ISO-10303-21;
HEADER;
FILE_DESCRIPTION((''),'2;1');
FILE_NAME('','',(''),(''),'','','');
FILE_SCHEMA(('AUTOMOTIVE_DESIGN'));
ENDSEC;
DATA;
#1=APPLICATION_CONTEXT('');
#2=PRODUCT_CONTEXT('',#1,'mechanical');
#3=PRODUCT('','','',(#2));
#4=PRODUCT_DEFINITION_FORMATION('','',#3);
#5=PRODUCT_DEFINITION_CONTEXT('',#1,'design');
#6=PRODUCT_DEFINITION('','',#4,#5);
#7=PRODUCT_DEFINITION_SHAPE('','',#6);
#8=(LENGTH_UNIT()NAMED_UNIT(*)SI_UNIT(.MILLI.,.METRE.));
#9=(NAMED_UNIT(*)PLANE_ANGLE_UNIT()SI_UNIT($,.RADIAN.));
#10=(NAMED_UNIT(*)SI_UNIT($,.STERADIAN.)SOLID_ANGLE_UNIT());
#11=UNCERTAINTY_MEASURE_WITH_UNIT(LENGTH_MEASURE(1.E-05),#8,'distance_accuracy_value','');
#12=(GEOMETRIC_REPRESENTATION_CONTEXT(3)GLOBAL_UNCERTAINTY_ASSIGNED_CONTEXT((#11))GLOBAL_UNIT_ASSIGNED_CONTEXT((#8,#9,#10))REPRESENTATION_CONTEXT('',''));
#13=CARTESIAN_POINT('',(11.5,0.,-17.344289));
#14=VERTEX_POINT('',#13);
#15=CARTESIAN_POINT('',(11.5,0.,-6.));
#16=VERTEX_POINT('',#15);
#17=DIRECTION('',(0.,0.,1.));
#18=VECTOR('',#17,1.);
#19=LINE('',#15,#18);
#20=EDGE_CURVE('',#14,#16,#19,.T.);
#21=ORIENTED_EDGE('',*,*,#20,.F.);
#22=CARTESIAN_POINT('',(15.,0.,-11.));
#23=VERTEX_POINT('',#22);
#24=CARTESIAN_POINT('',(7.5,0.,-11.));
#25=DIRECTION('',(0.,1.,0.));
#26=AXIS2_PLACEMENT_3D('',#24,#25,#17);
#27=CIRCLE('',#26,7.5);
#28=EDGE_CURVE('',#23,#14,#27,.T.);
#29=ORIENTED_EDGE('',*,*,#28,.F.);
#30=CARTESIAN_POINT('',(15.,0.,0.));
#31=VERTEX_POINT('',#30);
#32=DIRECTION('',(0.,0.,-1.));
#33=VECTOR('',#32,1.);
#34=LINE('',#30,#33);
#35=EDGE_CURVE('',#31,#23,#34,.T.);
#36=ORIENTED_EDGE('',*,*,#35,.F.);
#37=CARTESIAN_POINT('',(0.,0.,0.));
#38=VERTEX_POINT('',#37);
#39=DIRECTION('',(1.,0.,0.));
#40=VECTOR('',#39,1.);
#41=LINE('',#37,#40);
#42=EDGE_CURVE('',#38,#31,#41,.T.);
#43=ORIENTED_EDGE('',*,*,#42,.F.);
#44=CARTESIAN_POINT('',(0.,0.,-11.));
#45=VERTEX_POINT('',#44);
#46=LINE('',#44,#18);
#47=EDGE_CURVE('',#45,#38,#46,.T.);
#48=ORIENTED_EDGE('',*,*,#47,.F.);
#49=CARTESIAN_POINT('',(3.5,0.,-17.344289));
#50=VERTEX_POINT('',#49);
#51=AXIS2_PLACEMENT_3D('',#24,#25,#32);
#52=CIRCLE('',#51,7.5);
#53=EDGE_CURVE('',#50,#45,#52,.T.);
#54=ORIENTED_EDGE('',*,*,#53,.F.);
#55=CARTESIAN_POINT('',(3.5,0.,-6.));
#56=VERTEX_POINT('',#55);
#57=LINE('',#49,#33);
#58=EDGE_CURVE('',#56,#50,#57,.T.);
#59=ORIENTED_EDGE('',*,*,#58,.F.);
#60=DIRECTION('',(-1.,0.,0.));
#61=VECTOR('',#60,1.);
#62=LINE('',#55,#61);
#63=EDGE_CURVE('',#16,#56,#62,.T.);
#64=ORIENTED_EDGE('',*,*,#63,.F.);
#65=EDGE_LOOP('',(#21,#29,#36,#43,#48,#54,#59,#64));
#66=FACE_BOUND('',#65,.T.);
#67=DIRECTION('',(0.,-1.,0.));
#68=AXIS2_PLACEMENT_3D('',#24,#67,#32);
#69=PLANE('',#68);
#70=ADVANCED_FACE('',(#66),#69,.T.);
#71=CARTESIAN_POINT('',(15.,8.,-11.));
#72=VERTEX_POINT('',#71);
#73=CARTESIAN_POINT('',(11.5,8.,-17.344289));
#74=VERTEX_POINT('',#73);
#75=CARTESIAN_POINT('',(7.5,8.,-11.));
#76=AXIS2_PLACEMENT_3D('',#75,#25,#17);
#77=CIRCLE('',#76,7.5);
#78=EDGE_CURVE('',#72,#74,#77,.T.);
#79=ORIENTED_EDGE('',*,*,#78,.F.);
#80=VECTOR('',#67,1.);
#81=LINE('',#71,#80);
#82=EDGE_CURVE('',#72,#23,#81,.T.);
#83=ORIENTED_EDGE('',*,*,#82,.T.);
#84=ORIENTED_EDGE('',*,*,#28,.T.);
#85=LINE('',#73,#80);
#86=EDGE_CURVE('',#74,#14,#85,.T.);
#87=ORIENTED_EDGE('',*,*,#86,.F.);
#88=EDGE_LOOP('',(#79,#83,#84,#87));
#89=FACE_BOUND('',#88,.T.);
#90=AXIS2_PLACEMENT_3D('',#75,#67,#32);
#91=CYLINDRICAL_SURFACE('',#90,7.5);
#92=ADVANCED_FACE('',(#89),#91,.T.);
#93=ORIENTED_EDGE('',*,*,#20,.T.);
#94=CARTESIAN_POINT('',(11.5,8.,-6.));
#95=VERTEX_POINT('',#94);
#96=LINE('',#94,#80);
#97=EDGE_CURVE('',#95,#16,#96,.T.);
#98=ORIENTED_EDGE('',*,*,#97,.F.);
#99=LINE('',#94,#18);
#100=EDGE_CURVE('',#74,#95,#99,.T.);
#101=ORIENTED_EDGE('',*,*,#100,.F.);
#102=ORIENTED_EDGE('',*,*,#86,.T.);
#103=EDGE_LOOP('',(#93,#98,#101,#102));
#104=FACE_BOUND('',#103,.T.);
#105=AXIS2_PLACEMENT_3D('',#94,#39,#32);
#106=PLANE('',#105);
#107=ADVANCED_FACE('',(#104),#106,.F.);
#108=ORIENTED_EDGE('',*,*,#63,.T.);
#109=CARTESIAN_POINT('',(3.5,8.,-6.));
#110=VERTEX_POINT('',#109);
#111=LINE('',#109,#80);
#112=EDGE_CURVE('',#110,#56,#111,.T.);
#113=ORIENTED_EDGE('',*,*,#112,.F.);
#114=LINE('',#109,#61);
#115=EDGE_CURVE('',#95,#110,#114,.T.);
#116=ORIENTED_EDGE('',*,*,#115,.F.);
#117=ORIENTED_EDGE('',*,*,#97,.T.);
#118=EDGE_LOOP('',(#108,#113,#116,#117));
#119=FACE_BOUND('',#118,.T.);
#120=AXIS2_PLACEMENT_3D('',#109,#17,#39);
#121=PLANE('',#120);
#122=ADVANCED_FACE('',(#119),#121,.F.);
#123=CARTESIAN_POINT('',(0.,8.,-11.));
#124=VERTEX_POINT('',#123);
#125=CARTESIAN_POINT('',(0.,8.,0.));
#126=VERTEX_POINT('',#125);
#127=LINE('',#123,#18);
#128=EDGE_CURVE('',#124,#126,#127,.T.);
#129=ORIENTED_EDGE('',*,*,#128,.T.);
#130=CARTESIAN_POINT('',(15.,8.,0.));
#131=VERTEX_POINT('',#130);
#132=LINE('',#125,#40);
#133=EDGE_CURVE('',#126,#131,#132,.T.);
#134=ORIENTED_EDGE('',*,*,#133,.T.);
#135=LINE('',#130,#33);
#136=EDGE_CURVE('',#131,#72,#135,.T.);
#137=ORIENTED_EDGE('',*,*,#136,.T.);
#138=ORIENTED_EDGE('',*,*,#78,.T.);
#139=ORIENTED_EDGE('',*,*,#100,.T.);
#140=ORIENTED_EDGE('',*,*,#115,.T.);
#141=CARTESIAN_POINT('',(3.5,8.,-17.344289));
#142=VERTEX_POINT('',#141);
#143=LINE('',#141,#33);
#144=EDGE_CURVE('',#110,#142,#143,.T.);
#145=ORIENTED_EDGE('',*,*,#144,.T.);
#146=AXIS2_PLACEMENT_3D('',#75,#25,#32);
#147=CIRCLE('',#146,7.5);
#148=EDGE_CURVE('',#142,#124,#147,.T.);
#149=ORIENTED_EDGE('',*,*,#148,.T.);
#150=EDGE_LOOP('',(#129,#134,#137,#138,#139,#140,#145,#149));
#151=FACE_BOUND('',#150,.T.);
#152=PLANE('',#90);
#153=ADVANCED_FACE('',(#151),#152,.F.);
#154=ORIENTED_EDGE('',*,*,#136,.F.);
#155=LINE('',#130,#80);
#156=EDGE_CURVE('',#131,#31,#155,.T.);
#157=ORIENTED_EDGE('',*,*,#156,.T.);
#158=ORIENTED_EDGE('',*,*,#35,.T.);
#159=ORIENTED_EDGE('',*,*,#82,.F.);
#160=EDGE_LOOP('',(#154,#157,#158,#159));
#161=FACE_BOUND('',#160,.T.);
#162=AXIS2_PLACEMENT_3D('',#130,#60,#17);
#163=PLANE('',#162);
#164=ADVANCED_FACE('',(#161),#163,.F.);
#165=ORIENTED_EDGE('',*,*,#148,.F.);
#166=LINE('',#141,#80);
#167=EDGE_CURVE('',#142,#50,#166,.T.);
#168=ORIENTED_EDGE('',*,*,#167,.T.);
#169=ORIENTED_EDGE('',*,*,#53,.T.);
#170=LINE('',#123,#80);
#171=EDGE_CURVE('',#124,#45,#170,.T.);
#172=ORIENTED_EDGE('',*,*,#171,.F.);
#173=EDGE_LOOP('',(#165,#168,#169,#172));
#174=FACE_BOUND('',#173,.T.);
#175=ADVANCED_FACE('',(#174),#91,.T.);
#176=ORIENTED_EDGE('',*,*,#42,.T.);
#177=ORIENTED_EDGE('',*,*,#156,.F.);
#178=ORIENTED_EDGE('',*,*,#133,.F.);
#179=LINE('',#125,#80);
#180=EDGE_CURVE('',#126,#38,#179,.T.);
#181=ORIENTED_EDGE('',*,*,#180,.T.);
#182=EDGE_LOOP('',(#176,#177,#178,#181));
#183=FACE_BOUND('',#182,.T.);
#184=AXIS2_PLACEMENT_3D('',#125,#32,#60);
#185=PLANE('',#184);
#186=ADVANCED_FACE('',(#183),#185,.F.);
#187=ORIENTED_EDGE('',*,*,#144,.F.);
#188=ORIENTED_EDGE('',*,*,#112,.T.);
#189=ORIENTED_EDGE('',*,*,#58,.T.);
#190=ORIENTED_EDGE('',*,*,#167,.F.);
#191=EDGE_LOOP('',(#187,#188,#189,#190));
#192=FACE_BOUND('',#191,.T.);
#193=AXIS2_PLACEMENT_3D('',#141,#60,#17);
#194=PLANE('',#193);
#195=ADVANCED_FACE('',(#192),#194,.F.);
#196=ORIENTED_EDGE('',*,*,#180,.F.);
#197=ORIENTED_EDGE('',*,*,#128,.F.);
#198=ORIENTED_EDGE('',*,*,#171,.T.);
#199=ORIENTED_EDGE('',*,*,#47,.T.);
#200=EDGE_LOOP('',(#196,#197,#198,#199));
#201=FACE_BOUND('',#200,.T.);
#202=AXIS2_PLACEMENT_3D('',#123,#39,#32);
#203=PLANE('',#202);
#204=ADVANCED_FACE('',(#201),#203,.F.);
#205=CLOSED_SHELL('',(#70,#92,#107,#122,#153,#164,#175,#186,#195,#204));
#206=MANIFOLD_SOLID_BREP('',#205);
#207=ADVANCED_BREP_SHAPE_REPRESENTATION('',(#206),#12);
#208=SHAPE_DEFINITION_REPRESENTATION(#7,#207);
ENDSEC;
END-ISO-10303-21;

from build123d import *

# Parameters (mm, degrees)
BOSS_EXTRUDE1_DEPTH = 8


with BuildPart() as part:
    # Sketch1 → Boss-Extrude1 (new body)
    with BuildSketch(Plane(origin=(0, 0, 0), x_dir=(1, 0, 0), z_dir=(0, 1, 0))):
        with BuildLine():
            Line((0, 11), (0, 0))
            Line((0, 0), (15, 0))
            Line((15, 0), (15, 11))
            ThreePointArc((15, 11), (14.066962768, 14.622844187), (11.5, 17.34428877))
            Line((11.5, 17.34428877), (11.5, 6))
            Line((11.5, 6), (3.5, 6))
            Line((3.5, 6), (3.5, 17.34428877))
            ThreePointArc((3.5, 17.34428877), (0.933037232, 14.622844187), (0, 11))
        make_face()
    extrude(amount=BOSS_EXTRUDE1_DEPTH)


solid = part.part
